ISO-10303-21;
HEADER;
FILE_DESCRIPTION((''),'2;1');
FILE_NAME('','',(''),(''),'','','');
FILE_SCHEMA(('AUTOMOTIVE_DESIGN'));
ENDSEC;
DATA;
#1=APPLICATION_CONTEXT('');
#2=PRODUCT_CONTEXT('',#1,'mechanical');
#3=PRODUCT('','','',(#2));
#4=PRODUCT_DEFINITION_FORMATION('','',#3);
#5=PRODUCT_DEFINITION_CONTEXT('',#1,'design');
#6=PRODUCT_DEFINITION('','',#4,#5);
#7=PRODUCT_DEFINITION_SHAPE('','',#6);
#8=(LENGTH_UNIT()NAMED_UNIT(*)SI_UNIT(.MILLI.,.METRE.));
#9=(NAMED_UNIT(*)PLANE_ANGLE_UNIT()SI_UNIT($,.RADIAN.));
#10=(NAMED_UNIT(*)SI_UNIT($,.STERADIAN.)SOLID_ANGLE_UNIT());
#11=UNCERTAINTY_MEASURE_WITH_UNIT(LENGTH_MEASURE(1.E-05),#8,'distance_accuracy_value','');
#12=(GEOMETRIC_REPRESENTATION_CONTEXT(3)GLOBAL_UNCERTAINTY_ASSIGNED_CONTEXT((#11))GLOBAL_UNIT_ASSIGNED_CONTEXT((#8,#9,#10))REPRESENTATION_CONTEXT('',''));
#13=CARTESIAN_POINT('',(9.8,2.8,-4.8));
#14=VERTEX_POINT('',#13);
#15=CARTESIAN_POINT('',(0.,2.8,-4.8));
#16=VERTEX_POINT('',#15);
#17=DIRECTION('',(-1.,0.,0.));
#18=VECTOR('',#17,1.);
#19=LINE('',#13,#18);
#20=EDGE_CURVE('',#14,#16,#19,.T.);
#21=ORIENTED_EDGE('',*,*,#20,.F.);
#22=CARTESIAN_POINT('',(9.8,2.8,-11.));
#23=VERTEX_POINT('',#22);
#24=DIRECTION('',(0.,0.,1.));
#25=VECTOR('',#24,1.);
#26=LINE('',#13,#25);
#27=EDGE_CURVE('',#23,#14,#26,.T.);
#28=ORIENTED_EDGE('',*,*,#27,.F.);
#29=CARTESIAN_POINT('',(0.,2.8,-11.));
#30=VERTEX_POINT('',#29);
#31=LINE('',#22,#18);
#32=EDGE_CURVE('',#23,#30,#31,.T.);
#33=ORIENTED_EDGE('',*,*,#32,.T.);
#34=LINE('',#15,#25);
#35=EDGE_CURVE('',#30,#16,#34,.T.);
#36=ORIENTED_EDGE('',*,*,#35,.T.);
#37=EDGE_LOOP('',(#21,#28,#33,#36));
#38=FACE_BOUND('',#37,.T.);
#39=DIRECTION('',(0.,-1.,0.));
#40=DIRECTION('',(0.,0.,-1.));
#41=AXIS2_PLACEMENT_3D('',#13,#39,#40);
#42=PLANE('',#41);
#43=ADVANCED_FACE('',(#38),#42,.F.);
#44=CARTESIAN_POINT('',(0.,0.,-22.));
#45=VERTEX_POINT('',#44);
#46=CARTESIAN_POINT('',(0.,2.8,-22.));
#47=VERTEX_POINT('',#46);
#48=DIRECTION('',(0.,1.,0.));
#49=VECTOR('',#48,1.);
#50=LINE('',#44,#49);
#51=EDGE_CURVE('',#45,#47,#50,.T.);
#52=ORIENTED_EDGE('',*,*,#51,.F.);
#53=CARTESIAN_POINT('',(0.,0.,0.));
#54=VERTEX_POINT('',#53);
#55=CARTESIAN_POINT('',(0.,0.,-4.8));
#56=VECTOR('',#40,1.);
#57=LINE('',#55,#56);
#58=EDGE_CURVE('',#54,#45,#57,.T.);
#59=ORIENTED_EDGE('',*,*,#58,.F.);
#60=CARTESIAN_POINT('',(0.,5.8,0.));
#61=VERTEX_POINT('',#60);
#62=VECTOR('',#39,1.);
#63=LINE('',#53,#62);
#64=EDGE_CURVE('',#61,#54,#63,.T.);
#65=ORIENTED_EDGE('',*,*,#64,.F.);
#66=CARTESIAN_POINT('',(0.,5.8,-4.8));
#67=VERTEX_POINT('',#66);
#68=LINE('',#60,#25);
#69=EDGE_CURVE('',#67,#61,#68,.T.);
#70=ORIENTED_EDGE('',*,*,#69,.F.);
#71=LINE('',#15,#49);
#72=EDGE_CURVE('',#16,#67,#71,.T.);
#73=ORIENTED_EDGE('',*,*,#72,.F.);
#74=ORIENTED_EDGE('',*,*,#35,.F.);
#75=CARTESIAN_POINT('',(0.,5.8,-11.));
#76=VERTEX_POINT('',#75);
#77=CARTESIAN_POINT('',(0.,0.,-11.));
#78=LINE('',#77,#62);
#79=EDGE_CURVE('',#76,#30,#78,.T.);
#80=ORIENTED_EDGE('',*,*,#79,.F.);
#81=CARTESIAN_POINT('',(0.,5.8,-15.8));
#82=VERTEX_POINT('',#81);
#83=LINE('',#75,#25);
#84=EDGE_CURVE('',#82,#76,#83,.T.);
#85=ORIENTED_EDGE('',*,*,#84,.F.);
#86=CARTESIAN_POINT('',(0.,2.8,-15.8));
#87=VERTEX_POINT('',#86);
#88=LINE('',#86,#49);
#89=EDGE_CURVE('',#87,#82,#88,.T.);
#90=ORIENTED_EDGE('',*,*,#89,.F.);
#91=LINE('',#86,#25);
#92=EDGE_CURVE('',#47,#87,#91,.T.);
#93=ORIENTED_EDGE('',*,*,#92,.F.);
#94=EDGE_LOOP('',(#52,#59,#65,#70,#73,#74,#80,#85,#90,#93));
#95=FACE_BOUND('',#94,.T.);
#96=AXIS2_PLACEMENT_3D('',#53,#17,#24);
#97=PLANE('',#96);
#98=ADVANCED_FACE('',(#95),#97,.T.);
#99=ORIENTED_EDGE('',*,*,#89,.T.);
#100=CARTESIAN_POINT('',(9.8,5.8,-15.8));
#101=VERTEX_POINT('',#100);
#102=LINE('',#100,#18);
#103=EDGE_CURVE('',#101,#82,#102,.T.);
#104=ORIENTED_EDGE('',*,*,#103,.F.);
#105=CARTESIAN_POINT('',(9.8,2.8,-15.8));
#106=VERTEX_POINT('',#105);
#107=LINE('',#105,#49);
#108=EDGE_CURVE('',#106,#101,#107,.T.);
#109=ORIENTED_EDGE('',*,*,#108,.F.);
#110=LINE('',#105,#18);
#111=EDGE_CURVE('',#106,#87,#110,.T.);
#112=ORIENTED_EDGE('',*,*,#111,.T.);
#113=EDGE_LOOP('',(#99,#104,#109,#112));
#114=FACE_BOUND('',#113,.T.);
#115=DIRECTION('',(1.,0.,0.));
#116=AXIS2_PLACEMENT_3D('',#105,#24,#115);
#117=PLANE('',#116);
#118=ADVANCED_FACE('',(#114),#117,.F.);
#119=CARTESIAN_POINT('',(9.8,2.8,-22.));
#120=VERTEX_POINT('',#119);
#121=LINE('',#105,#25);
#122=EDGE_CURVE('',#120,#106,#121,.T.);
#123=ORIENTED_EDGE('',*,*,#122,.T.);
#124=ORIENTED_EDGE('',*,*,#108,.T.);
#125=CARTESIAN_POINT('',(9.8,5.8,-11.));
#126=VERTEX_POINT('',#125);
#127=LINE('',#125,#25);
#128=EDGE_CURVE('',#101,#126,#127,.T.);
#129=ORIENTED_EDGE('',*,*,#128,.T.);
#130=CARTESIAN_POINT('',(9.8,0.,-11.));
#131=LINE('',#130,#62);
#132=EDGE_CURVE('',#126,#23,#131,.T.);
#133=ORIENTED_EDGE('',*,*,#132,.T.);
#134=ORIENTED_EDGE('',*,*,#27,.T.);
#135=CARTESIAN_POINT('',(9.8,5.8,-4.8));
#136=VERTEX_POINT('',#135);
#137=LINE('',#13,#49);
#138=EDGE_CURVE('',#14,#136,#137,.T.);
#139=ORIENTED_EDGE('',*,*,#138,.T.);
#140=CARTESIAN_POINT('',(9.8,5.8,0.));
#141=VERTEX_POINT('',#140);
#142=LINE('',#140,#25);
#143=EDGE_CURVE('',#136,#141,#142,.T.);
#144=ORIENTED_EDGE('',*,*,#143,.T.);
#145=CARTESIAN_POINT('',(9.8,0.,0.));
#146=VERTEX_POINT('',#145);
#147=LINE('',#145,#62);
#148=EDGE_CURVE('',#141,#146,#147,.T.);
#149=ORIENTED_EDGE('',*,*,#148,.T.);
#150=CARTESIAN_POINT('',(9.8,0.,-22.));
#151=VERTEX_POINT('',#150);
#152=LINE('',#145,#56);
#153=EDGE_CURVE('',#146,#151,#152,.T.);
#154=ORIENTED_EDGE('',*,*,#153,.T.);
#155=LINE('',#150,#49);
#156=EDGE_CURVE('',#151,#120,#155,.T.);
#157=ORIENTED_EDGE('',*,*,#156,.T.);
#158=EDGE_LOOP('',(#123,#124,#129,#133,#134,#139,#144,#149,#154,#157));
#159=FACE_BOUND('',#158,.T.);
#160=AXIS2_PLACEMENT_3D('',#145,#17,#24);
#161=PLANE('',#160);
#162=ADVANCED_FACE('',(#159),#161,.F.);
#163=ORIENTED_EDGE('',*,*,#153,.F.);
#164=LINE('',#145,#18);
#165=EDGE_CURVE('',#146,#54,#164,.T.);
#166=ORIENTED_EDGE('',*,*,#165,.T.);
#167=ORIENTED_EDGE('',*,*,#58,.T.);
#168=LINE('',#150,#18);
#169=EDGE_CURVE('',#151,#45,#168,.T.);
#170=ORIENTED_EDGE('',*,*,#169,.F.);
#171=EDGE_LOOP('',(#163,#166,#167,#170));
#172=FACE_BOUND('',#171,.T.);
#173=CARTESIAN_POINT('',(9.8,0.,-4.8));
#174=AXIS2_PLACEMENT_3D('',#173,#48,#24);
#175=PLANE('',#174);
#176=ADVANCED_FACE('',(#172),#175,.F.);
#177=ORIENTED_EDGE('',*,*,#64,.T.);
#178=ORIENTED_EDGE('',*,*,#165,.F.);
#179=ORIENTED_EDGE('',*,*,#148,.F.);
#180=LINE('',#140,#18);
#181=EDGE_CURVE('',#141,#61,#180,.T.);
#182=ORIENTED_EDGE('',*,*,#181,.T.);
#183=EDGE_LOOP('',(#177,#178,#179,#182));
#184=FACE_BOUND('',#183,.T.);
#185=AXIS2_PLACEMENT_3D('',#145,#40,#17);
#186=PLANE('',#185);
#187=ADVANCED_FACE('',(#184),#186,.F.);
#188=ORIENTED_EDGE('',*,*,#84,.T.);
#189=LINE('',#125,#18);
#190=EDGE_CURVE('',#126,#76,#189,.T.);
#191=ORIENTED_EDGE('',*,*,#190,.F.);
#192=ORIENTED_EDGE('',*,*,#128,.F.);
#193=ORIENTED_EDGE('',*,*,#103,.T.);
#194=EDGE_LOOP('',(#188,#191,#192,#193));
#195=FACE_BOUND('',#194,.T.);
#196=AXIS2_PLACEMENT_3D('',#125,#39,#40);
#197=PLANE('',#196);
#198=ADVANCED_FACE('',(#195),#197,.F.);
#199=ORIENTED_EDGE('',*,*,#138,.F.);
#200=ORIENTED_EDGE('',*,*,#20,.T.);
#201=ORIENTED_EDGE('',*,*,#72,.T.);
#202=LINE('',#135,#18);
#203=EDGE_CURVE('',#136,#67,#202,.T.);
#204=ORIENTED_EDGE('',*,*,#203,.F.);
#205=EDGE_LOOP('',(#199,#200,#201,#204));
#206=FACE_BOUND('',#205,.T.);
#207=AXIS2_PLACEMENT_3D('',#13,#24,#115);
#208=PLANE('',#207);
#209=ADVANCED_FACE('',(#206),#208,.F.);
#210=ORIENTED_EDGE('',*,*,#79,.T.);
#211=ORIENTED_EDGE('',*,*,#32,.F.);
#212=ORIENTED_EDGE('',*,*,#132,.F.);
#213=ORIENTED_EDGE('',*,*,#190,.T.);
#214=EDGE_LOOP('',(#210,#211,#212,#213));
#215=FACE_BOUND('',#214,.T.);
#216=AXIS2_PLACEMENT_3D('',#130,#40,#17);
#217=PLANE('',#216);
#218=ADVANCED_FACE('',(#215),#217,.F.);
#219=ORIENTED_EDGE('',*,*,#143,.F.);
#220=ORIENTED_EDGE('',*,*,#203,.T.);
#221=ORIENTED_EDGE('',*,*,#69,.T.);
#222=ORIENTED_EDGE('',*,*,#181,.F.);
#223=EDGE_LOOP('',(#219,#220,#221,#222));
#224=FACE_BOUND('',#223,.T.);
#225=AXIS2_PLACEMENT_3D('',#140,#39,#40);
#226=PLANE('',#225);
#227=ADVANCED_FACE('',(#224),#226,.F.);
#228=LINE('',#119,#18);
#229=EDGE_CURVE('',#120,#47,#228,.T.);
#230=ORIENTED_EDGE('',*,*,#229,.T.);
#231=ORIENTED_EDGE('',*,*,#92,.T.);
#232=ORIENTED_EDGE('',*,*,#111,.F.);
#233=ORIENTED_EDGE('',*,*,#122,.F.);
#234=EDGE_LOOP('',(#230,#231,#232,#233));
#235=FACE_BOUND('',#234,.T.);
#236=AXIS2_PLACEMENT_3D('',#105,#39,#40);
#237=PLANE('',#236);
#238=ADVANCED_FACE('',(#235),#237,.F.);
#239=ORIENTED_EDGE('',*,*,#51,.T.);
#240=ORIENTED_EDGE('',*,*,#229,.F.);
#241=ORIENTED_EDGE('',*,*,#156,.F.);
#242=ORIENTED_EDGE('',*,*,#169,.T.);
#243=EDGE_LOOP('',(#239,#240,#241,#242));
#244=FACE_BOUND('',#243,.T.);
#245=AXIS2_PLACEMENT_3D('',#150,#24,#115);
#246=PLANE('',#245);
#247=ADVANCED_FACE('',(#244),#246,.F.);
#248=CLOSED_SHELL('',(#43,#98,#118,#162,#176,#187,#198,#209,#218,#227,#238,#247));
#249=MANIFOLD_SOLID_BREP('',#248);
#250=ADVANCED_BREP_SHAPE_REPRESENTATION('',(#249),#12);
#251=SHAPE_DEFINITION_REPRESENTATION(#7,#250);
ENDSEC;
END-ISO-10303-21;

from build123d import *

# Parameters (mm, degrees)
BOSS_EXTRUDE1_DEPTH = 9.8
LPATTERN1_COUNT     = 2
LPATTERN1_PITCH     = 11


with BuildPart() as part:
    # Sketch1 → Boss-Extrude1 (new body)
    with BuildSketch(Plane(origin=(0, 0, 0), x_dir=(0, 0, -1), z_dir=(1, 0, 0))):
        Polygon((0, 0), (4.8, 0), (11, 0), (11, 2.8), (4.8, 2.8), (4.8, 5.8), (0, 5.8), align=None)
    boss_extrude1 = extrude(amount=BOSS_EXTRUDE1_DEPTH)

    # LPattern1: Boss-Extrude1 ×2
    with Locations(*[(0, 0, -i * LPATTERN1_PITCH) for i in range(1, LPATTERN1_COUNT)]):
        add(boss_extrude1)


solid = part.part
